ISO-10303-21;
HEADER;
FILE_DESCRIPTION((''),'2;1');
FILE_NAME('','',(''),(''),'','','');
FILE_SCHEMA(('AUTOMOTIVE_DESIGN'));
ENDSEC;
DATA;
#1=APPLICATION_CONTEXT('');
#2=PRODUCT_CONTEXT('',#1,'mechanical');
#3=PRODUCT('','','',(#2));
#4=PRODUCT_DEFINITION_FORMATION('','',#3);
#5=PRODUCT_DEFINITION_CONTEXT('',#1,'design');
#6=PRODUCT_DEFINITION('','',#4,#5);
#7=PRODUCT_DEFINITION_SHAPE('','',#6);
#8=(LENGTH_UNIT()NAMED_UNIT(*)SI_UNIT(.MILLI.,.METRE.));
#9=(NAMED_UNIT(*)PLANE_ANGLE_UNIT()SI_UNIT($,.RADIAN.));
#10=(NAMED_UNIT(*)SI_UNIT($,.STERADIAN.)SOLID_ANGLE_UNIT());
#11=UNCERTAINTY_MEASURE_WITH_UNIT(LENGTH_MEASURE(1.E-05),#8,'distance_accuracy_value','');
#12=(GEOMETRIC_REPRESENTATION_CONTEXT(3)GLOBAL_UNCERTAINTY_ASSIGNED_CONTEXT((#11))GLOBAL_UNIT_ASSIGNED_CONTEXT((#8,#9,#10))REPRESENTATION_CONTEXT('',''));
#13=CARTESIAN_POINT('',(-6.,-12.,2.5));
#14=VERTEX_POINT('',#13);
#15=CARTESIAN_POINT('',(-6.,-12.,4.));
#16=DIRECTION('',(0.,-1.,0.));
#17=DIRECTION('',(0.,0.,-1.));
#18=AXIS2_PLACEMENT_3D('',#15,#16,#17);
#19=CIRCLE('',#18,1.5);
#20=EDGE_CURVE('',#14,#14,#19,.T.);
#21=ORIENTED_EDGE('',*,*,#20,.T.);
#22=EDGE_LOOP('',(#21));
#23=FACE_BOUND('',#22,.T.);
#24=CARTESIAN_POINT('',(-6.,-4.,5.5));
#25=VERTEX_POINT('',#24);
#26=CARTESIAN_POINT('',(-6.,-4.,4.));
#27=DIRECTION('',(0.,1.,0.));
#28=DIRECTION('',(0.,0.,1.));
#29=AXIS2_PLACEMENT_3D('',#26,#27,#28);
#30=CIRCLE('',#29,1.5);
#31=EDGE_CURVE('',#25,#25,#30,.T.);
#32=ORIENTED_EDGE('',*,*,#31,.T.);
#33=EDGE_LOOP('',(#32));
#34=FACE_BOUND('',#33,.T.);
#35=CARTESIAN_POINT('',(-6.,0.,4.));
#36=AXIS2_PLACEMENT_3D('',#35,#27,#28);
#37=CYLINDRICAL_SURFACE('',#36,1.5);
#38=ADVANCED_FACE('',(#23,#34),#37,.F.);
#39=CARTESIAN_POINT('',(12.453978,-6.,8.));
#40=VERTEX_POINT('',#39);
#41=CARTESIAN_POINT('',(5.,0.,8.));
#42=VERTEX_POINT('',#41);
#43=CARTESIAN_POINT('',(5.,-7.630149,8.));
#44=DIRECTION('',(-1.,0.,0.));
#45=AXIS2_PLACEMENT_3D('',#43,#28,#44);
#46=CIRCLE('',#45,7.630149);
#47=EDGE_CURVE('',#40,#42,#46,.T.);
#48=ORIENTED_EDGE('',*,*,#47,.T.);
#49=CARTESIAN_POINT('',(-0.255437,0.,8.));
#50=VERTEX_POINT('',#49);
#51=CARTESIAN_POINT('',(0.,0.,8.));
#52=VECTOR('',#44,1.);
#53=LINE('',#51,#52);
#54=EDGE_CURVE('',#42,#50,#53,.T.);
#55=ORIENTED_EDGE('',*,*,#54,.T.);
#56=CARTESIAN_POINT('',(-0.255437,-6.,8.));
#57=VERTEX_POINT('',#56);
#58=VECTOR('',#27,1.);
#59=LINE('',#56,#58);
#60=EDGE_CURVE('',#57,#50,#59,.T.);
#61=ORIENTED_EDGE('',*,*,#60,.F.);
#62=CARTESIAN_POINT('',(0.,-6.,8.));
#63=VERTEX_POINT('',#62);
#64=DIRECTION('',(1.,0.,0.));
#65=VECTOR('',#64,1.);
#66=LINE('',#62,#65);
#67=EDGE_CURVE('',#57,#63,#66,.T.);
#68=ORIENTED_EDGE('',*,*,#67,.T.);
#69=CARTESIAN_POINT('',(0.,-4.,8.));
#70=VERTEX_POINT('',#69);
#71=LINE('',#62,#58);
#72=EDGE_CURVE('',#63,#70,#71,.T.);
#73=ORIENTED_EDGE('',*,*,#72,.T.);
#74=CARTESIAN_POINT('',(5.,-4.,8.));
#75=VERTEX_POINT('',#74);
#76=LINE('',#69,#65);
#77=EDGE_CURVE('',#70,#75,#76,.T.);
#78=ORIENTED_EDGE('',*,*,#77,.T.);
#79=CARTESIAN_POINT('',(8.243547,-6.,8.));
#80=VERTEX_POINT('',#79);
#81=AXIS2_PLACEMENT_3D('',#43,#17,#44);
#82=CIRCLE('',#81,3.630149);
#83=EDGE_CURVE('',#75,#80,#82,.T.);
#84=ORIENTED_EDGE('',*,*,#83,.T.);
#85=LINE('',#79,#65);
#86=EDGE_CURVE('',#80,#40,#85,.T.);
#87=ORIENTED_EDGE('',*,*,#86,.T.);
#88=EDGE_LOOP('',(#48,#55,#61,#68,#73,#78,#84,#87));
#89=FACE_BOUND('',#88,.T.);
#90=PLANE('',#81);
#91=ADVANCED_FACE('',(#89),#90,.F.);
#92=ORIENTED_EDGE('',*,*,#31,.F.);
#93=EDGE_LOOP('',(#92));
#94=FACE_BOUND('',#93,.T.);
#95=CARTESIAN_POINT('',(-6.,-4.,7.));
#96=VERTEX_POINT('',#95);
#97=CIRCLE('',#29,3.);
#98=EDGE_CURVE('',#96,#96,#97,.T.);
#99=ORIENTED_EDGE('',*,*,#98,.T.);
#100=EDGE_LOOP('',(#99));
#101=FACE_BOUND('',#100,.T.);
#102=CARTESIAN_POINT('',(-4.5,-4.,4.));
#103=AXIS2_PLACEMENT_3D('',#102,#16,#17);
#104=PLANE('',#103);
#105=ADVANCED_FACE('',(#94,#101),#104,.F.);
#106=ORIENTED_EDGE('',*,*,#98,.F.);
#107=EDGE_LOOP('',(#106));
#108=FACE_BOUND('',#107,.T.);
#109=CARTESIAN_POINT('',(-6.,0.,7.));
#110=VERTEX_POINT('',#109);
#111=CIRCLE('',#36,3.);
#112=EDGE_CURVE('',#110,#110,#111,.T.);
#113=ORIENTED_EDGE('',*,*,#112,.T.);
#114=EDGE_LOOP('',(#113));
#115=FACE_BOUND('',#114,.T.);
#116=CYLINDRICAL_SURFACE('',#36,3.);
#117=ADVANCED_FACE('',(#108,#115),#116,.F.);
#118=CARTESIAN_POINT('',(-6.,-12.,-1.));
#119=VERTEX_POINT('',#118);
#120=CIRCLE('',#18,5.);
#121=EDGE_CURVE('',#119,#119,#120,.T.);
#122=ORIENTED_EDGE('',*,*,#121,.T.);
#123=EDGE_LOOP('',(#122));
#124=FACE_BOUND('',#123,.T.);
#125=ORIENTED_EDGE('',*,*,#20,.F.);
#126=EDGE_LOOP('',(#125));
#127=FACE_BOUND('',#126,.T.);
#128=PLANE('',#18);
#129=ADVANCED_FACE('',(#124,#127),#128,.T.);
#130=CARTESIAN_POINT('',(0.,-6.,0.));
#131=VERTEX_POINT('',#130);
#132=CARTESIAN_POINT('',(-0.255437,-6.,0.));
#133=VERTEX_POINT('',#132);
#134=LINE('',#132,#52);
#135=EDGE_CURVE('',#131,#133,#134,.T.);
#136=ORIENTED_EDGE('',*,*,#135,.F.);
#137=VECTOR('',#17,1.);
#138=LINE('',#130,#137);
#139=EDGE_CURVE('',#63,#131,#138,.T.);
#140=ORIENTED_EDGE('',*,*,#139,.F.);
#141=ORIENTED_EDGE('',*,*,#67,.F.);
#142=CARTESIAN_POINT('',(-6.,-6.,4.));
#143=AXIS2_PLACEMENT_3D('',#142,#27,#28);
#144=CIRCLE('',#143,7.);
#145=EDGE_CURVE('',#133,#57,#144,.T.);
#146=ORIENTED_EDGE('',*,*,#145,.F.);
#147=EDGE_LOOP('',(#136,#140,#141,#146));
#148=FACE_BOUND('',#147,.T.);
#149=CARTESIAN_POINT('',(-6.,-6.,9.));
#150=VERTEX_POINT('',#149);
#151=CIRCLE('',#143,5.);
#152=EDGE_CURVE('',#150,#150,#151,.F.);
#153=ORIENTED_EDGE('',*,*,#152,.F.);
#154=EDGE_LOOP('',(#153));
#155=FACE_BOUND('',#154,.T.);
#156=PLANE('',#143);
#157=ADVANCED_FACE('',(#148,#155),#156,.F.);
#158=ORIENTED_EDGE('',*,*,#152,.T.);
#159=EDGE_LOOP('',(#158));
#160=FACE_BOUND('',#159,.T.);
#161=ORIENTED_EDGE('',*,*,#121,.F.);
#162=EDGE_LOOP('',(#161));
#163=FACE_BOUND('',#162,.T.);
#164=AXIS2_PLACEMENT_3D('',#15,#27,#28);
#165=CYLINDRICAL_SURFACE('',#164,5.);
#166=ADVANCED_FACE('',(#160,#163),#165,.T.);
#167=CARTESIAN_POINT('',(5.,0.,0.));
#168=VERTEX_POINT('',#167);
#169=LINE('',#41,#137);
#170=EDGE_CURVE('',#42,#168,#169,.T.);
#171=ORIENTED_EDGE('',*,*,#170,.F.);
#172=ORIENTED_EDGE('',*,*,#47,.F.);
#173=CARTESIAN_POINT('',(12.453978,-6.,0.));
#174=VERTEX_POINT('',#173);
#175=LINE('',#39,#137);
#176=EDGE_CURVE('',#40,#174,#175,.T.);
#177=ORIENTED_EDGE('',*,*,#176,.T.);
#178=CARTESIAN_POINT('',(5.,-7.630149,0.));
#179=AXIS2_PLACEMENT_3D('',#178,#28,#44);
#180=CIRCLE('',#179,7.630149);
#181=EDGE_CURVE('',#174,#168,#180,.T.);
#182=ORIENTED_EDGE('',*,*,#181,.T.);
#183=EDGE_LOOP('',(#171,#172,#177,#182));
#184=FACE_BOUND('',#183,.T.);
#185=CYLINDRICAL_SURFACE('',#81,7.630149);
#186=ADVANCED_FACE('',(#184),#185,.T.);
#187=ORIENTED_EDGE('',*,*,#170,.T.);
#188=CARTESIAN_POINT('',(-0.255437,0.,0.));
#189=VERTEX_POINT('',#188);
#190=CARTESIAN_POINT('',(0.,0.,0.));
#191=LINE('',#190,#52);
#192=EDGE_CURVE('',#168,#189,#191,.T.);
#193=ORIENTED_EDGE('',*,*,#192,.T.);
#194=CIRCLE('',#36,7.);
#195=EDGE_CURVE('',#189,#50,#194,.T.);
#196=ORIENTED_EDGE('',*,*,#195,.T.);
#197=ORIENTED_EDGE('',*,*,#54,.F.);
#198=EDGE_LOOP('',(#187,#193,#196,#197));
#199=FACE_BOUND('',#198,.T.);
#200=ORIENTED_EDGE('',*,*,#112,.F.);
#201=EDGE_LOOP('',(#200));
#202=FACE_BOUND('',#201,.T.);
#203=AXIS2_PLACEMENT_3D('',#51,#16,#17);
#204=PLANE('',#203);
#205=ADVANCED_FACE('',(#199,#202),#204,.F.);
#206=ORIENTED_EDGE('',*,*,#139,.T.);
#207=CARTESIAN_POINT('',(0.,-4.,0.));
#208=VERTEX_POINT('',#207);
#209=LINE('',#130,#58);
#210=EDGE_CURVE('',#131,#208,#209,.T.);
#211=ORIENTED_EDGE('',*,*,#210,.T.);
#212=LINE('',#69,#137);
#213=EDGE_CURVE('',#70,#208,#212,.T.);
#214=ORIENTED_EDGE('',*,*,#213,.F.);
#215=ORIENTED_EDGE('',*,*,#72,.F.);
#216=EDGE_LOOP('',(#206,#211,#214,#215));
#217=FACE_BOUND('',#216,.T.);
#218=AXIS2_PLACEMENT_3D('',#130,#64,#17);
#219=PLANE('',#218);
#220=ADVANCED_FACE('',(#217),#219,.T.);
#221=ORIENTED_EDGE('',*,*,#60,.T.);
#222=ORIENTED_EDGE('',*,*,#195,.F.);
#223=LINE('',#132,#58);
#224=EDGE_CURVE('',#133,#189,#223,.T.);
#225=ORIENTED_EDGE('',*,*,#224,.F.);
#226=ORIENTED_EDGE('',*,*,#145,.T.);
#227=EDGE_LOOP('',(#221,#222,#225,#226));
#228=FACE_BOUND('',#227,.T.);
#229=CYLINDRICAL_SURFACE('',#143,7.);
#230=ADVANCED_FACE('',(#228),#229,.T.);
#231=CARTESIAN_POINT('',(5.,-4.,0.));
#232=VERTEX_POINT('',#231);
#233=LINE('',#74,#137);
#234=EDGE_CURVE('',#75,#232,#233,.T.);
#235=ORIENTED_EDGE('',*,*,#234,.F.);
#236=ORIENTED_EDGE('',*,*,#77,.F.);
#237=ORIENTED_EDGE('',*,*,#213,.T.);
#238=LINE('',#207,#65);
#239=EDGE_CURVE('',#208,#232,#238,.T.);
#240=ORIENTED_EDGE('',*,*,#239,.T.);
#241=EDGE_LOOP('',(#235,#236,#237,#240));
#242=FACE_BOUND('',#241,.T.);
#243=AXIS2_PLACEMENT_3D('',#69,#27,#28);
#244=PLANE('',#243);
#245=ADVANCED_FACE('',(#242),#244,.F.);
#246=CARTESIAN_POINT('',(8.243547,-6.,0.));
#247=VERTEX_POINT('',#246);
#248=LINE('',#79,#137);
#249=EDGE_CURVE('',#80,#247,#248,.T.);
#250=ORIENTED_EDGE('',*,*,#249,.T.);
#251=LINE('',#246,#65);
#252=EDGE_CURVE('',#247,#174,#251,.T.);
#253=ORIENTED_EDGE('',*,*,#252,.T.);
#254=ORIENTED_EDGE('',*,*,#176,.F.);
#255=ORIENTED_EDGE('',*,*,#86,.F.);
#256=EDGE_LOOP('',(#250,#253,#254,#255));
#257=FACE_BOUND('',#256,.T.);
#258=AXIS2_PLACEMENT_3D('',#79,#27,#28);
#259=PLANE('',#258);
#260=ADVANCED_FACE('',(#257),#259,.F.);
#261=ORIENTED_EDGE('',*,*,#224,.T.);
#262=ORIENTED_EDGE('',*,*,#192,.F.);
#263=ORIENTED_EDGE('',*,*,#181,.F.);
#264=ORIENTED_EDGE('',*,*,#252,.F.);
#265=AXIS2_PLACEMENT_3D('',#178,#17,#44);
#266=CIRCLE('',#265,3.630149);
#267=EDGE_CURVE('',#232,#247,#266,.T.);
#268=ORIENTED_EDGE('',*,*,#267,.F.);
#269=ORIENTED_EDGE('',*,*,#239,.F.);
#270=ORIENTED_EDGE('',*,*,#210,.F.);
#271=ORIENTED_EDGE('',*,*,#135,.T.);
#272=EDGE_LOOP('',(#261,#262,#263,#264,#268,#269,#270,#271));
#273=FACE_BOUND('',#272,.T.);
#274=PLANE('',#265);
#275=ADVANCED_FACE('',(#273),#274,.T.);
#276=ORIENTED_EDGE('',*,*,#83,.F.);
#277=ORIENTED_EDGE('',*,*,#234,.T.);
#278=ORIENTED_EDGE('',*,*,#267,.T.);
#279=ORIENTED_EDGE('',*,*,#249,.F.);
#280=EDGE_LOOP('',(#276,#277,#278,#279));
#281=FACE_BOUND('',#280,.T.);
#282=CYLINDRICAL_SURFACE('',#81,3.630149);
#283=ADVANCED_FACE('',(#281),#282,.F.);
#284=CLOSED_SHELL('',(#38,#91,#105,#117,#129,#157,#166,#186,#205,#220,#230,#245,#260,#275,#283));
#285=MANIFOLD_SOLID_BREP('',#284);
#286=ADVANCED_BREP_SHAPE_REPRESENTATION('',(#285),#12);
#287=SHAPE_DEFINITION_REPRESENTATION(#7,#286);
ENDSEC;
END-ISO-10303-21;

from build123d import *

# Parameters (mm, degrees)
EXTRUDE_1_DEPTH           = 8
EXTRUDE_2_DEPTH           = 6
SKETCH_5_R                = 5
EXTRUDE_3_DEPTH           = 6
HOLE_WIZARD_1_D           = 3
HOLE_WIZARD_1_DEPTH       = 30
HOLE_WIZARD_1_CBORE_D     = 6
HOLE_WIZARD_1_CBORE_DEPTH = 4


with BuildPart() as part:
    # 草图3 → 凸台-拉伸1 (new body)
    with BuildSketch(Plane.XY):
        with BuildLine():
            Line((0, 0), (5, 0))
            ThreePointArc((5, 0), (9.784396345, -1.68635165), (12.453978369, -6))
            Line((12.453978369, -6), (8.243547108, -6))
            ThreePointArc((8.243547108, -6), (6.905295111, -4.540192237), (5, -4))
            Line((5, -4), (0, -4))
            Line((0, -4), (0, 0))
        make_face()
    extrude(amount=EXTRUDE_1_DEPTH)

    # 草图4 → 凸台-拉伸2 (add)
    with BuildSketch(Plane(origin=(0, 0, 0), x_dir=(1, 0, 0), z_dir=(0, 1, 0))):
        with BuildLine():
            Line((-0.255437353, 0), (0, 0))
            Line((0, 0), (0, -8))
            Line((0, -8), (-0.255437353, -8))
            ThreePointArc((-0.255437353, -8), (-13, -4), (-0.255437353, 0))
        make_face()
    extrude(amount=-EXTRUDE_2_DEPTH)

    # 草图5 → 凸台-拉伸3 (add)
    with BuildSketch(Plane.XZ.offset(6)):
        with Locations((-6, 4)):
            Circle(SKETCH_5_R)
    extrude(amount=EXTRUDE_3_DEPTH)

    # 孔1
    with Locations(Plane(origin=(-6, 0, 4), x_dir=(0, 0, 1), z_dir=(0, 1, 0))):
        with Locations((0, 0)):
            CounterBoreHole(HOLE_WIZARD_1_D / 2, HOLE_WIZARD_1_CBORE_D / 2, HOLE_WIZARD_1_CBORE_DEPTH, depth=HOLE_WIZARD_1_DEPTH)


solid = part.part
